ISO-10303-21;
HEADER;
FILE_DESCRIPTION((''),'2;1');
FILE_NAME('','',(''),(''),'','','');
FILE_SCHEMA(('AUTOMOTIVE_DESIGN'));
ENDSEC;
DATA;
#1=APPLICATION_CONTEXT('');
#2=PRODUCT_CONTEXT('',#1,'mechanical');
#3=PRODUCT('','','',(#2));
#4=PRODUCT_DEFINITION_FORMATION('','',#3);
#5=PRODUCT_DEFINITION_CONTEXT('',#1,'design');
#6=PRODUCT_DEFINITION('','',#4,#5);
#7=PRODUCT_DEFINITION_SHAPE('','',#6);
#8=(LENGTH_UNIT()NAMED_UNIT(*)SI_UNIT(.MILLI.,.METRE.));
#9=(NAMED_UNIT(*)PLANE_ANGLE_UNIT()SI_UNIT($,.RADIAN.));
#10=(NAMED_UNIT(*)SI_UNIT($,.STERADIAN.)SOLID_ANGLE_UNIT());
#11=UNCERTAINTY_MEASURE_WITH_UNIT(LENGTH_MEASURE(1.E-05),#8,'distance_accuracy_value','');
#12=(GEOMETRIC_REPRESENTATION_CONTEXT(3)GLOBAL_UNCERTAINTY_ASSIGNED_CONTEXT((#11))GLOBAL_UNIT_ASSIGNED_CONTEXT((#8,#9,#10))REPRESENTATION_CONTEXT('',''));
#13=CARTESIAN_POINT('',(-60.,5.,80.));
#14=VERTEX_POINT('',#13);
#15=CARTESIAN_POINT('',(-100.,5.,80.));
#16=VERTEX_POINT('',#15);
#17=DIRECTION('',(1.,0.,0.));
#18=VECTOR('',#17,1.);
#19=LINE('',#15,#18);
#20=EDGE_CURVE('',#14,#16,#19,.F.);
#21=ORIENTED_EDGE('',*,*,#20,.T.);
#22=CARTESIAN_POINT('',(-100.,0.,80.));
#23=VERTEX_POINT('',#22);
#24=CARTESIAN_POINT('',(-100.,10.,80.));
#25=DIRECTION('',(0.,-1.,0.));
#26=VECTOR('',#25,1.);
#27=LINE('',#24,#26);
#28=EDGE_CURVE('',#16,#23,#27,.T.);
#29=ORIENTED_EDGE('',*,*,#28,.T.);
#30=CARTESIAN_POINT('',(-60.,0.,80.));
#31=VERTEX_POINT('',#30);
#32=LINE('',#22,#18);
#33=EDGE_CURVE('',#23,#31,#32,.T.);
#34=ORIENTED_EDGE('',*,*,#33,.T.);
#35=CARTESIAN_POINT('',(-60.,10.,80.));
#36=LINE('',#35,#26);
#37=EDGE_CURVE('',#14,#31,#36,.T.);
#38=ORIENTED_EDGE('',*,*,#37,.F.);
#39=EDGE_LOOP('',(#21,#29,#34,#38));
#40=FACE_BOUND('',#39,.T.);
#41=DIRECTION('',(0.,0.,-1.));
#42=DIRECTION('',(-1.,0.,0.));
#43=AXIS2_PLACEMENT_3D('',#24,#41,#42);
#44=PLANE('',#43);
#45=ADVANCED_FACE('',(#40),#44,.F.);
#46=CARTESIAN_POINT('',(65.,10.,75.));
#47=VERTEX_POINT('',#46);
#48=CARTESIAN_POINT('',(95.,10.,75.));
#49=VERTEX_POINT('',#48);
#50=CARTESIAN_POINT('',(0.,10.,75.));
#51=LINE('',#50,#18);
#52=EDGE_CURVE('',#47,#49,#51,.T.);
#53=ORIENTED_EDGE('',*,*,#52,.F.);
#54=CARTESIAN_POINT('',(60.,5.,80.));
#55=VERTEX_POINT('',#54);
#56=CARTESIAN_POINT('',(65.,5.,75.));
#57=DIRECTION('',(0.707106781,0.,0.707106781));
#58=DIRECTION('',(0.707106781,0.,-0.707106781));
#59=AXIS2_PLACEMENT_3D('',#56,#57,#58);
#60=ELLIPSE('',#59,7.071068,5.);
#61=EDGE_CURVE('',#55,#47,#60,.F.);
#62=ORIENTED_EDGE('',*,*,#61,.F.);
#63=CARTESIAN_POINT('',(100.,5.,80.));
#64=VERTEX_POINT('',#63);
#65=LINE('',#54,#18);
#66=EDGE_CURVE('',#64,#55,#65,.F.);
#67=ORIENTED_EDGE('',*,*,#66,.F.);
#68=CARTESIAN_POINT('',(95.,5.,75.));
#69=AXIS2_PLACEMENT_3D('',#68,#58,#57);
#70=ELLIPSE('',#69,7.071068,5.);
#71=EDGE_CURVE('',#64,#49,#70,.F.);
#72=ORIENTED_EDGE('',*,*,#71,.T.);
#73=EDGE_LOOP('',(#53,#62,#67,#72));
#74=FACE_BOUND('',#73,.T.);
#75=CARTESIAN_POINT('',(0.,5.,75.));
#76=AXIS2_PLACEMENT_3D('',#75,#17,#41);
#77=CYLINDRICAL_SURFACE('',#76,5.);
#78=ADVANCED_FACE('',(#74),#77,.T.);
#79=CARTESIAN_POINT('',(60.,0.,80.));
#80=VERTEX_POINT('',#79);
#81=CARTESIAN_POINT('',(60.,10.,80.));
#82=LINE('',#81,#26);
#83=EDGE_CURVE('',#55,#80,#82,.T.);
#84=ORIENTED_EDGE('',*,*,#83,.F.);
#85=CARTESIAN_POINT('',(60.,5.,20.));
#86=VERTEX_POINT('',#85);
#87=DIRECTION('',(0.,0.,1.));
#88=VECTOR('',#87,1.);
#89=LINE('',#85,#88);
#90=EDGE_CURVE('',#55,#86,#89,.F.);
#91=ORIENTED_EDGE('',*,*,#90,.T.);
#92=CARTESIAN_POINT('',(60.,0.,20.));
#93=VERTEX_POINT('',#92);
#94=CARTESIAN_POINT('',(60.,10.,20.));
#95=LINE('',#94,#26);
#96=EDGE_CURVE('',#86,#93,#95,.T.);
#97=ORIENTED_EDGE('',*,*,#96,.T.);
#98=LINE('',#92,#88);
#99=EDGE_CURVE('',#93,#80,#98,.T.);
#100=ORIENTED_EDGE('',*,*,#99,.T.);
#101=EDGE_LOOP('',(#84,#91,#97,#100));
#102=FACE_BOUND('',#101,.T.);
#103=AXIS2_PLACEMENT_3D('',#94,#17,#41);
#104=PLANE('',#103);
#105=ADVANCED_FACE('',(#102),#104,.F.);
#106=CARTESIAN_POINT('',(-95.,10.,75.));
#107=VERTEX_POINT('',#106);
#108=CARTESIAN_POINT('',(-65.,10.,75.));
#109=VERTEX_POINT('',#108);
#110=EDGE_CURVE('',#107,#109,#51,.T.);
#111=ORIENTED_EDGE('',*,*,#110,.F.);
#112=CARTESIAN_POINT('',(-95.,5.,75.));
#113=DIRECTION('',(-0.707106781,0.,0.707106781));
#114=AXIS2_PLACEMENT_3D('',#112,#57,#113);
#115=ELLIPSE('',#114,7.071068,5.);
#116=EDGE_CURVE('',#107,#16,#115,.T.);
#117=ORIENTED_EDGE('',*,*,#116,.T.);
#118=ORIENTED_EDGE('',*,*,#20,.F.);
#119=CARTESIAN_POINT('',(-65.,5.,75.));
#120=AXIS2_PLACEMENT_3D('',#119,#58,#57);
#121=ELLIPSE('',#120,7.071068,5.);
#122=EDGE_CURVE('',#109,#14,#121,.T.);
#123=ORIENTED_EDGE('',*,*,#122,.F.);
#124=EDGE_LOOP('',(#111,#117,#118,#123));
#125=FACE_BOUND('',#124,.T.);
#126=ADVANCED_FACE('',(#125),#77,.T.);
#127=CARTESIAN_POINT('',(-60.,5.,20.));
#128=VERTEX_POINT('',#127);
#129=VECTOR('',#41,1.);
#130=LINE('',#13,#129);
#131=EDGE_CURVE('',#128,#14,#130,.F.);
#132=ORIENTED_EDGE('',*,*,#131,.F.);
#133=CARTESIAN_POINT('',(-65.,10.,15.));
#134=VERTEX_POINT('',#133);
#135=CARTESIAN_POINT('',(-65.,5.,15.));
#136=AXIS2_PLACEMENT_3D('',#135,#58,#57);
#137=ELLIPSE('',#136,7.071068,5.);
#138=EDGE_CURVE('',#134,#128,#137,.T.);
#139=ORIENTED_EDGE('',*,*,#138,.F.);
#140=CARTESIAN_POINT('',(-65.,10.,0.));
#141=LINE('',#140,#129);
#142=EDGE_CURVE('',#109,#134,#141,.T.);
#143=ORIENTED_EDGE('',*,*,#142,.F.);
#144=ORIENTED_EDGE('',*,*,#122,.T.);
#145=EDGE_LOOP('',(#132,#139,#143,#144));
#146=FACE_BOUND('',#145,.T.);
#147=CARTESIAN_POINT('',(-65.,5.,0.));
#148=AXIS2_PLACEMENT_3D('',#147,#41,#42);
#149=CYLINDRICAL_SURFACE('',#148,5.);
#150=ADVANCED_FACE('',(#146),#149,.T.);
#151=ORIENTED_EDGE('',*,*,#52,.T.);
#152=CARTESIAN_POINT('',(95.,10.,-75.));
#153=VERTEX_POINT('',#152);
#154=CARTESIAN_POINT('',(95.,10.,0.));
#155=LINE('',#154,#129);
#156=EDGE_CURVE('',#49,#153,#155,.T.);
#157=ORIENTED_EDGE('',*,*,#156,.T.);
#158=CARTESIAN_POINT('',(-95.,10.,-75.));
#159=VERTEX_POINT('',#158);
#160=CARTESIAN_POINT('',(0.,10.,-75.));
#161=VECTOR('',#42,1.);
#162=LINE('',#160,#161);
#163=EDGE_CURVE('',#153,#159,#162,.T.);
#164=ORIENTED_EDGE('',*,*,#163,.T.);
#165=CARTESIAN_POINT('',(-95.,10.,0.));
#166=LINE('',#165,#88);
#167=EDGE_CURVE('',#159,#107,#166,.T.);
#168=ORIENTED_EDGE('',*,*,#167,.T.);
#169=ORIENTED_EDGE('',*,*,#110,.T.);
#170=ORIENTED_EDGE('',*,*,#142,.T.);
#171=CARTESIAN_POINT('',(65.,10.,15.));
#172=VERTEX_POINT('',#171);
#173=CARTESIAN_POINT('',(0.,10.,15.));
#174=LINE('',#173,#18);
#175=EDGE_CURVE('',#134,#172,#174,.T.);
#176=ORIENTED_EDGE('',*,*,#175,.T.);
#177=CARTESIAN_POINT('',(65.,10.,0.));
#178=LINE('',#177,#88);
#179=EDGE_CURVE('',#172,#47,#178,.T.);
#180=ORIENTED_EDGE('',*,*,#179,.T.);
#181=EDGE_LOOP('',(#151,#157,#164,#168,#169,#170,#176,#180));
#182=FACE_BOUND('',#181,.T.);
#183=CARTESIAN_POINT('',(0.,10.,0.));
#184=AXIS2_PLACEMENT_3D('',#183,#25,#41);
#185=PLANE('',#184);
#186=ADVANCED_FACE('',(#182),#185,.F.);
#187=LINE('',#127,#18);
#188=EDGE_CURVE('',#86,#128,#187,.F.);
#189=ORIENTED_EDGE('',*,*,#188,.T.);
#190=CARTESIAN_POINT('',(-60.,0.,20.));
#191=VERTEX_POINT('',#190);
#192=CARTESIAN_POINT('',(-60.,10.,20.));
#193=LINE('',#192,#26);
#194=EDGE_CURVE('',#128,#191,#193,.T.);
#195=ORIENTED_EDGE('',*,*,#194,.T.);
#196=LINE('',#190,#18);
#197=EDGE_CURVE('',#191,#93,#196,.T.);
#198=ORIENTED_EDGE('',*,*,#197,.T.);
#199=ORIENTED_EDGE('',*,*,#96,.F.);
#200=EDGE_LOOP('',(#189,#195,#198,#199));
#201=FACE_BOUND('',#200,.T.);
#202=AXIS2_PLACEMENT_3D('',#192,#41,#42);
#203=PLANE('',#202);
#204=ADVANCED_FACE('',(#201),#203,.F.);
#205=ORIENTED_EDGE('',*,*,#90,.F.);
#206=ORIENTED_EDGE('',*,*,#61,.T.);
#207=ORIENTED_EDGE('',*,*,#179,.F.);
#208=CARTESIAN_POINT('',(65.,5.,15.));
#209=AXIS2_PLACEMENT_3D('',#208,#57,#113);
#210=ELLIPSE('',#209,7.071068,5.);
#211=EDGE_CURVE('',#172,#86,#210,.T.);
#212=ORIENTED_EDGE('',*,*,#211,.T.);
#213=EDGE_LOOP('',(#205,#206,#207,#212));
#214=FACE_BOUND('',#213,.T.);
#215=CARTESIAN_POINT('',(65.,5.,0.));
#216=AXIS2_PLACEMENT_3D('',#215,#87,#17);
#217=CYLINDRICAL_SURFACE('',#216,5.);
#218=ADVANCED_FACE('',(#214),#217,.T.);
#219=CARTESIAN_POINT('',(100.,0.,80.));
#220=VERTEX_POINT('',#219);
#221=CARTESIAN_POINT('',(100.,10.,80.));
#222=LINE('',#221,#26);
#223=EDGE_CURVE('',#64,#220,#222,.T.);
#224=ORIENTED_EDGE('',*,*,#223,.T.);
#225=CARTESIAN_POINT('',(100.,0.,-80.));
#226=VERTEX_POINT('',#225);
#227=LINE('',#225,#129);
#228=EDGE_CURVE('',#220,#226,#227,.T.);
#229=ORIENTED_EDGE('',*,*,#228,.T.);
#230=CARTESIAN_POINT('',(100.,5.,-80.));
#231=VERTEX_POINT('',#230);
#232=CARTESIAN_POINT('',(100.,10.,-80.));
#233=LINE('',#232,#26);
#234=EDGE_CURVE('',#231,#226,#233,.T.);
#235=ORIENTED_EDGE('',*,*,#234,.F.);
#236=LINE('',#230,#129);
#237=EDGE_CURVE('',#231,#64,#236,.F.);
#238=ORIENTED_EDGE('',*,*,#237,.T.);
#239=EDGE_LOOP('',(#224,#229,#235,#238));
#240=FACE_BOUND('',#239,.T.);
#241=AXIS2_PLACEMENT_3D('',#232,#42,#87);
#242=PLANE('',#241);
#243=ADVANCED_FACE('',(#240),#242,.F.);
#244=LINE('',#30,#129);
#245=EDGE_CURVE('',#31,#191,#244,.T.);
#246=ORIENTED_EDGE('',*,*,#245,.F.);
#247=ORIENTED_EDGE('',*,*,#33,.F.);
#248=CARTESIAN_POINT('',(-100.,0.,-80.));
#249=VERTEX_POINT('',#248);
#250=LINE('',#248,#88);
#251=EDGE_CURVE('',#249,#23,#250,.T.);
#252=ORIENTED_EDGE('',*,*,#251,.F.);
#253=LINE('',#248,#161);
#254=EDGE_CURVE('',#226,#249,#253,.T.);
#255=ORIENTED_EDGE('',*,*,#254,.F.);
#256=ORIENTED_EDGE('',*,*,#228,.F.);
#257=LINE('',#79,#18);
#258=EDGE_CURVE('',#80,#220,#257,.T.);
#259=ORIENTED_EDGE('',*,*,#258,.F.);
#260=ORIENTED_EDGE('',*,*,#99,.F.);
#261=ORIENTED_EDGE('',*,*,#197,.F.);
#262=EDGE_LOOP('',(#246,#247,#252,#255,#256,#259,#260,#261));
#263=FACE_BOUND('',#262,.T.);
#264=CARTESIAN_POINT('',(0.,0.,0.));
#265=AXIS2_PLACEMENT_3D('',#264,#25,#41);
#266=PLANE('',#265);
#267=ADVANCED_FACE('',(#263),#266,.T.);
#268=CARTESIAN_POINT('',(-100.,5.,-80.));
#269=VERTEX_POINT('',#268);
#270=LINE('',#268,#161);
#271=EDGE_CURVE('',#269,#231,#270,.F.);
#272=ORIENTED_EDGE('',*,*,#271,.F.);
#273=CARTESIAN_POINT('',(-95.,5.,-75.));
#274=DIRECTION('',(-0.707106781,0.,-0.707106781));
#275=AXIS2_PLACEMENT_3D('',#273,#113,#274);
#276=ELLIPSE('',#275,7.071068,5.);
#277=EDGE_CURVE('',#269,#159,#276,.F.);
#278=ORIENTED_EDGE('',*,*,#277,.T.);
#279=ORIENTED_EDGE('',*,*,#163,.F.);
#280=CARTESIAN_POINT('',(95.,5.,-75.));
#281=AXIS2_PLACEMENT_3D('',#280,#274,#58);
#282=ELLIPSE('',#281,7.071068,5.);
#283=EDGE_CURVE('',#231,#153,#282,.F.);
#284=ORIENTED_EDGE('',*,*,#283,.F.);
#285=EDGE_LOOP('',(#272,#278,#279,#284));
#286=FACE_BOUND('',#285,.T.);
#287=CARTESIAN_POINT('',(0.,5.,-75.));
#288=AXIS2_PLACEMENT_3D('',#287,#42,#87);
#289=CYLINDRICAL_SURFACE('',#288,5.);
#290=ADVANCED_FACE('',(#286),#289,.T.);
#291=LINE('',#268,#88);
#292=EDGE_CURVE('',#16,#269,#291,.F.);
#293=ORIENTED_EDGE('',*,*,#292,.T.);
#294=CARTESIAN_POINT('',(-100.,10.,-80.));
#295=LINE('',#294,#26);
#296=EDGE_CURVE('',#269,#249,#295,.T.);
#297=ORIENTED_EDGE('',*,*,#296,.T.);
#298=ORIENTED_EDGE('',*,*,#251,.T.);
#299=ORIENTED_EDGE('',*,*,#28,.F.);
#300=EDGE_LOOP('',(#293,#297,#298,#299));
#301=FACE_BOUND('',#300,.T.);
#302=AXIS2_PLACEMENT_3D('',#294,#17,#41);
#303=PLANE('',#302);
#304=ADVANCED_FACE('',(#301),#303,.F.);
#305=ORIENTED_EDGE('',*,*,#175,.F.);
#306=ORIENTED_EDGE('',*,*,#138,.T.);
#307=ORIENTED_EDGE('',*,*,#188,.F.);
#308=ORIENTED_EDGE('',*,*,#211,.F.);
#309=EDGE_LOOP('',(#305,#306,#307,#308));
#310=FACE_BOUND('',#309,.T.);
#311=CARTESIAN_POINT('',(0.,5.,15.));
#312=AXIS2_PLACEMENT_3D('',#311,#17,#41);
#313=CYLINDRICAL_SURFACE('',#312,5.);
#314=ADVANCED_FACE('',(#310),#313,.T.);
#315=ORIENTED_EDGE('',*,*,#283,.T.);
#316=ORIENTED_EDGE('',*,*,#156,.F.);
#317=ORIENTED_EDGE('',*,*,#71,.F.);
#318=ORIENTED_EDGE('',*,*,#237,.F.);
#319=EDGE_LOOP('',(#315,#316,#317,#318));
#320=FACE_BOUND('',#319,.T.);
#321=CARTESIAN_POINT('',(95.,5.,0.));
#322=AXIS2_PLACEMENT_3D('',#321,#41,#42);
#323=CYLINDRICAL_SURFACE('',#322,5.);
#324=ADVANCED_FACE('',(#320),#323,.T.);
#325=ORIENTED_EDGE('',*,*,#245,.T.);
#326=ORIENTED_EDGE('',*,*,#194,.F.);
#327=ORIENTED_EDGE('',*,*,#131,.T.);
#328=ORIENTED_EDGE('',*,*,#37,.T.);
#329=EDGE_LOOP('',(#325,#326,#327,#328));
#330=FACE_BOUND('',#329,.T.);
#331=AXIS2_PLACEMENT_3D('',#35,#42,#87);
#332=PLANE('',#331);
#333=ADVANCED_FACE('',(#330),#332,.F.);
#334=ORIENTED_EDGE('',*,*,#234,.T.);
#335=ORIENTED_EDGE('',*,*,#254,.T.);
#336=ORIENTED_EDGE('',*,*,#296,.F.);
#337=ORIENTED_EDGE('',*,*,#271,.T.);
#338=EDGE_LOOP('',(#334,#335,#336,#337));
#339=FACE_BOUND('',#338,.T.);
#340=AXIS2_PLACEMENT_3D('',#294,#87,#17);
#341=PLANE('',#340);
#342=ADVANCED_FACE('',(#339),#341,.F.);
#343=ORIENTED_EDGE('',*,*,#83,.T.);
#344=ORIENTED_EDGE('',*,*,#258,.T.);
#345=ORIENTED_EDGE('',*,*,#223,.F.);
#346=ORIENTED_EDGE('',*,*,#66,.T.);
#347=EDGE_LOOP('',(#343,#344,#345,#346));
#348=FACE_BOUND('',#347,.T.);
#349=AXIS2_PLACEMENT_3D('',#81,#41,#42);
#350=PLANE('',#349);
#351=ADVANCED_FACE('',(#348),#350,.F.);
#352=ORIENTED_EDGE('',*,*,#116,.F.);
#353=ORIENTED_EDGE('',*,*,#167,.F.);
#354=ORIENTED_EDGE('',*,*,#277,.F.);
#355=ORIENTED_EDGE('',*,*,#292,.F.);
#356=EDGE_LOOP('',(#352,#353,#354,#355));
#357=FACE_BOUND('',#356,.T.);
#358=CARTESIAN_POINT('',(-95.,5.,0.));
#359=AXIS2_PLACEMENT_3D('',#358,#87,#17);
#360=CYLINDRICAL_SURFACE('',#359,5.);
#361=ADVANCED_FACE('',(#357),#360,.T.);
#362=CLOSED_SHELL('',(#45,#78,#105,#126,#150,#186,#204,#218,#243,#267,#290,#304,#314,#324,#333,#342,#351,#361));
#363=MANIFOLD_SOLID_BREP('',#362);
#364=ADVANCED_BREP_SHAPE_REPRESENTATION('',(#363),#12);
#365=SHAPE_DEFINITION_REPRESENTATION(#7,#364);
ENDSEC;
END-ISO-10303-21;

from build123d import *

# Parameters (mm, degrees)
BOSS_EXTRUDE1_DEPTH = 10
FILLET1_R           = 5


with BuildPart() as part:
    # Sketch1 → Boss-Extrude1 (new body)
    with BuildSketch(Plane(origin=(0, 0, 0), x_dir=(1, 0, 0), z_dir=(0, 1, 0))):
        Polygon((-60, -80), (-60, -20), (60, -20), (60, -80), (100, -80), (100, 80), (-100, 80), (-100, -80), align=None)
    extrude(amount=BOSS_EXTRUDE1_DEPTH)

    # Fillet1
    fillet1_edges = [part.edges().sort_by_distance(p)[0] for p in [
        (0, 10, -80),
        (-100, 10, 0),
        (-80, 10, 80),
        (-60, 10, 50),
        (0, 10, 20),
        (60, 10, 50),
        (80, 10, 80),
        (100, 10, 0),
    ]]
    fillet(fillet1_edges, radius=FILLET1_R)


solid = part.part
